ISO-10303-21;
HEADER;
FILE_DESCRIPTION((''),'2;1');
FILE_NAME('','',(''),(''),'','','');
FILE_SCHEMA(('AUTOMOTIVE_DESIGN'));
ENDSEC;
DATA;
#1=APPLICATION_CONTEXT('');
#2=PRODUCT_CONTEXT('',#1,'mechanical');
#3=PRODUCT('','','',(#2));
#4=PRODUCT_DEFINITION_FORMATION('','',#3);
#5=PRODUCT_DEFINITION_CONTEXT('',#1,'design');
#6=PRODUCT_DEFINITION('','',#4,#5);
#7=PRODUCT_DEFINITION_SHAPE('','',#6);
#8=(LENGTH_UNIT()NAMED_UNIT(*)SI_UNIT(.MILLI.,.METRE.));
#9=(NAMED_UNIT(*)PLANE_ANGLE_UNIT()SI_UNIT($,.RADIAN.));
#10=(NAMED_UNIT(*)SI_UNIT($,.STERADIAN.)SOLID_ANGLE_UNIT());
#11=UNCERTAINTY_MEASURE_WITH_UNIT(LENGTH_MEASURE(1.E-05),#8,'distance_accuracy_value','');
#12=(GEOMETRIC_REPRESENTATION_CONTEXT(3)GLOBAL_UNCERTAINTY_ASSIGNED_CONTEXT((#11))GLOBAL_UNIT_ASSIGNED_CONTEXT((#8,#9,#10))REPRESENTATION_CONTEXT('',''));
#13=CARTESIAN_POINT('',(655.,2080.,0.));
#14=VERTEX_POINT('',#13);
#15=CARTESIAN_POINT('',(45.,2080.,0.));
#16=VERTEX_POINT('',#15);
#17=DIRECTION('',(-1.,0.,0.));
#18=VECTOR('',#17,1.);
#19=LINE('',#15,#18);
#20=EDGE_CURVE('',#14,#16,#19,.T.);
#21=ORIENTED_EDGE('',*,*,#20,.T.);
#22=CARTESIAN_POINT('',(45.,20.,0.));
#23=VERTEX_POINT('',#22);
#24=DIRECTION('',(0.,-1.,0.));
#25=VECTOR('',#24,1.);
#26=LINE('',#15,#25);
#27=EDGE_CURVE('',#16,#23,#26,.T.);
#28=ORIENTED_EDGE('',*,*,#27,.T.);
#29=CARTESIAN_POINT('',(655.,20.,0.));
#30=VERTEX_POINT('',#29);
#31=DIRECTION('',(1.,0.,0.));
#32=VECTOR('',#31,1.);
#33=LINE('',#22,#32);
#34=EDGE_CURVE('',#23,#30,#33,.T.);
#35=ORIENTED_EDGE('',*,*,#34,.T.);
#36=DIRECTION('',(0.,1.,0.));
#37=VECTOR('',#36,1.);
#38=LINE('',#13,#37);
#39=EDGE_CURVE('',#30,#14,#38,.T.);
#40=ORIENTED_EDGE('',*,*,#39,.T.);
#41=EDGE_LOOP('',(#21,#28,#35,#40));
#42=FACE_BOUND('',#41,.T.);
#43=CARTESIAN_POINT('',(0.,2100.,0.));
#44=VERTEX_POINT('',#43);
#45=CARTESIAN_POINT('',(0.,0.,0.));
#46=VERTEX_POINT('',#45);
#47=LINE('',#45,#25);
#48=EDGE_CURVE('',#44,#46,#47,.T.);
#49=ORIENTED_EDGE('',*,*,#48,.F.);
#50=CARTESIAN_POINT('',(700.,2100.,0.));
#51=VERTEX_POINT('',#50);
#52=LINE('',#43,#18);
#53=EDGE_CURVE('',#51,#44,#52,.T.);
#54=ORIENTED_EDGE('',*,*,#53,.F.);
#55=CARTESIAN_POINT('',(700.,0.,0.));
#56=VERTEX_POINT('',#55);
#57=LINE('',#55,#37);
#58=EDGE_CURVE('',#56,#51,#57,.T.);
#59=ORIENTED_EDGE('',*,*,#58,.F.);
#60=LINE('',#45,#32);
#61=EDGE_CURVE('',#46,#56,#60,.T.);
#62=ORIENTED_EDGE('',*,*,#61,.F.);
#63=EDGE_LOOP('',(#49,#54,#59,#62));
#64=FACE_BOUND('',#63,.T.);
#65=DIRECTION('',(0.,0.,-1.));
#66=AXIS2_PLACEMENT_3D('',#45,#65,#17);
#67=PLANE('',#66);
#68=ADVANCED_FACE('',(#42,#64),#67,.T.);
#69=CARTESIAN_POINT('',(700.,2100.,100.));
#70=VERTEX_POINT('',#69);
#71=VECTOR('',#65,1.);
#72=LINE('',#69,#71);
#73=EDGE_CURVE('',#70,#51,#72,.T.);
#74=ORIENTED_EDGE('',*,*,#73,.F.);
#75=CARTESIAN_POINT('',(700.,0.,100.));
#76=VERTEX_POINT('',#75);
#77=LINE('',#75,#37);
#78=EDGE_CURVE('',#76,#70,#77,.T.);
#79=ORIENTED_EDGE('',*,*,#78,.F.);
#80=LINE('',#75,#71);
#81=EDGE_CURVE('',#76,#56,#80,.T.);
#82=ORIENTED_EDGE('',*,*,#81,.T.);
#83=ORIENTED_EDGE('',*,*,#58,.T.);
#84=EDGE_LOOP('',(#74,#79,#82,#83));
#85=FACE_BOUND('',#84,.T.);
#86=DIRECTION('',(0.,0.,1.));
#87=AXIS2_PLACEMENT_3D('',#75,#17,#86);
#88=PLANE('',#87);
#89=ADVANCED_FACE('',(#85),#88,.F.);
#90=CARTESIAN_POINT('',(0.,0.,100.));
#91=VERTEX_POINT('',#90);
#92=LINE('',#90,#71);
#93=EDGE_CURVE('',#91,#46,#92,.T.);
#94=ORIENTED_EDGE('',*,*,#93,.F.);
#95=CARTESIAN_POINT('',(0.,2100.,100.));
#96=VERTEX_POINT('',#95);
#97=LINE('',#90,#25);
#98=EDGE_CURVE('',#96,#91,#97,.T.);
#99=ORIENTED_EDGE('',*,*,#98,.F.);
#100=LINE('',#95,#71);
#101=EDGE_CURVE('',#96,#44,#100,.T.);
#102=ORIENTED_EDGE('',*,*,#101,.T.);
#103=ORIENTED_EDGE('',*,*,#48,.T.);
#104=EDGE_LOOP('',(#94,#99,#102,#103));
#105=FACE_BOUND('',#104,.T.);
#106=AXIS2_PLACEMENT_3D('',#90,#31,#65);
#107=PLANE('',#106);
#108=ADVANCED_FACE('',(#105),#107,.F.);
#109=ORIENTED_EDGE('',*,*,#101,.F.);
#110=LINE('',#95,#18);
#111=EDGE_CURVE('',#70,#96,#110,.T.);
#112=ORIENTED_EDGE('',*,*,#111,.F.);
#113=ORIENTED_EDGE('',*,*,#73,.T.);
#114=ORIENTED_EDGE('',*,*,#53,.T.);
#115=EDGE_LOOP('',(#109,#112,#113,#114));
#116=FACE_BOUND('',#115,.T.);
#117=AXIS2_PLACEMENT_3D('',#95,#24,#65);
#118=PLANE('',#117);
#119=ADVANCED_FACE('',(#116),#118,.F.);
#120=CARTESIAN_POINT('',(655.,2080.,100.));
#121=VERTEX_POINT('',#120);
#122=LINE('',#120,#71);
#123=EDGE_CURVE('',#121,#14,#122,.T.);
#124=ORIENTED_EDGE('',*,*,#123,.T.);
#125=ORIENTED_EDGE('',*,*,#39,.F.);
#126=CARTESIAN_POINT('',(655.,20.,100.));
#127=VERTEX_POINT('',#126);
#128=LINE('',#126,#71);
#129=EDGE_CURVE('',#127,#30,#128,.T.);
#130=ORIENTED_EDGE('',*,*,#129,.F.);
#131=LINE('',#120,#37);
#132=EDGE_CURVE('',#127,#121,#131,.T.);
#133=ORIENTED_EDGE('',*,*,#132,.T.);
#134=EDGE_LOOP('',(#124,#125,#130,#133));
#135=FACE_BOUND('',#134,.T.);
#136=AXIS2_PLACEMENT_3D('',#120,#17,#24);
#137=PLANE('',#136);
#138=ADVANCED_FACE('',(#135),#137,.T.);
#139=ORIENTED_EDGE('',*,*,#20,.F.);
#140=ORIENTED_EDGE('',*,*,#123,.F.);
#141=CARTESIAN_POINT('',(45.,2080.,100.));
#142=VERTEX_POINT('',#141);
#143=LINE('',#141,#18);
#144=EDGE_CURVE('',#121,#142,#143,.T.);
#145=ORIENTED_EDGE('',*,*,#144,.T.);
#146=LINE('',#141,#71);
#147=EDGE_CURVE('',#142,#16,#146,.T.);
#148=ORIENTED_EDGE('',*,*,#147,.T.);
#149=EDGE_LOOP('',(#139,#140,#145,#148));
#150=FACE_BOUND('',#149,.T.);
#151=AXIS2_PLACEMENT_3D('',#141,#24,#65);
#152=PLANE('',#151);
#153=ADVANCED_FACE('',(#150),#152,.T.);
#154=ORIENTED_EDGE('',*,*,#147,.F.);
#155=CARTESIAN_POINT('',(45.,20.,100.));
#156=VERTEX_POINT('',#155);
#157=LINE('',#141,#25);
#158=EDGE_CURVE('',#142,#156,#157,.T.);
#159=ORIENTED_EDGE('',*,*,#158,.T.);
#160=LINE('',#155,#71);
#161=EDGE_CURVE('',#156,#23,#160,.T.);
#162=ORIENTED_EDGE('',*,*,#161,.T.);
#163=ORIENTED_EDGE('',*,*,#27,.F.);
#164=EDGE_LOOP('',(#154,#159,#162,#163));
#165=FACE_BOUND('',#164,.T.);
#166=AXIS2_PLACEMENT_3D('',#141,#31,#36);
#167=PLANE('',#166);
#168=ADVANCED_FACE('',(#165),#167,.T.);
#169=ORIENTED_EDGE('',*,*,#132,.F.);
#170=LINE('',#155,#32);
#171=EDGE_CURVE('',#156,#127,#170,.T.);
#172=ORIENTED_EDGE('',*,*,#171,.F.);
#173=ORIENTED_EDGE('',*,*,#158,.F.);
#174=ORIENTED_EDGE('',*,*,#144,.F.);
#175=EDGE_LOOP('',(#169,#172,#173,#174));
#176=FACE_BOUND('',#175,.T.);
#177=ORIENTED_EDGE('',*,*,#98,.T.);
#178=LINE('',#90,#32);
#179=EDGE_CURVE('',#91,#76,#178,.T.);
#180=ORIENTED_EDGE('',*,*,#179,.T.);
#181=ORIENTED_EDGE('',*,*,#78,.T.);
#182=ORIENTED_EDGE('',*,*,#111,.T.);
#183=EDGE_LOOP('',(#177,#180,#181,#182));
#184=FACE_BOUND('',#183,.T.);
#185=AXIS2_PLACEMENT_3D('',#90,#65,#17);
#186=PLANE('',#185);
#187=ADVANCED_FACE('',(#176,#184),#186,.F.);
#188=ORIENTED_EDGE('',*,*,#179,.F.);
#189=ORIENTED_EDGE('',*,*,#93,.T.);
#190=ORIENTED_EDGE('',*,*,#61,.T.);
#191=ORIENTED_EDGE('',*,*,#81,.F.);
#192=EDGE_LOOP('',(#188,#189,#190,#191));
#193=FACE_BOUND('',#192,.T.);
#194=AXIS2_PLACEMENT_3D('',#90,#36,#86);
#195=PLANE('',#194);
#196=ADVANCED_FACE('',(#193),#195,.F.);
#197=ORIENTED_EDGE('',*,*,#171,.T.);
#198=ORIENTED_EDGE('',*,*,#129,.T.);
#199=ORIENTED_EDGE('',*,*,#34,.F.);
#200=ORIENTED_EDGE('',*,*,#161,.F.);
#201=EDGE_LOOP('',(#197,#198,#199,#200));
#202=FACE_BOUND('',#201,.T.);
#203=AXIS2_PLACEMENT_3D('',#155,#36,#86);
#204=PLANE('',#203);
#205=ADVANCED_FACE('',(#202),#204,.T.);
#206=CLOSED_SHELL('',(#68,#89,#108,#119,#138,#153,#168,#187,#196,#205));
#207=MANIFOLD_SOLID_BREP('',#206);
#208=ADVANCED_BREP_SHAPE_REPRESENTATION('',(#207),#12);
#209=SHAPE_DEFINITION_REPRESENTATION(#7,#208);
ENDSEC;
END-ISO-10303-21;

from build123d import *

# Parameters (mm, degrees)
SKETCH_1_W      = 700
SKETCH_1_H      = 2100
SKETCH_1_W_2    = 610
SKETCH_1_H_2    = 2060
EXTRUDE_1_DEPTH = 100


with BuildPart() as part:
    # Эскиз1 → Бобышка-Вытянуть1 (new body)
    with BuildSketch(Plane.XY):
        with Locations((350, 1050)):
            Rectangle(SKETCH_1_W, SKETCH_1_H)
        with Locations((350, 1050)):
            Rectangle(SKETCH_1_W_2, SKETCH_1_H_2, mode=Mode.SUBTRACT)
    extrude(amount=EXTRUDE_1_DEPTH)


solid = part.part
